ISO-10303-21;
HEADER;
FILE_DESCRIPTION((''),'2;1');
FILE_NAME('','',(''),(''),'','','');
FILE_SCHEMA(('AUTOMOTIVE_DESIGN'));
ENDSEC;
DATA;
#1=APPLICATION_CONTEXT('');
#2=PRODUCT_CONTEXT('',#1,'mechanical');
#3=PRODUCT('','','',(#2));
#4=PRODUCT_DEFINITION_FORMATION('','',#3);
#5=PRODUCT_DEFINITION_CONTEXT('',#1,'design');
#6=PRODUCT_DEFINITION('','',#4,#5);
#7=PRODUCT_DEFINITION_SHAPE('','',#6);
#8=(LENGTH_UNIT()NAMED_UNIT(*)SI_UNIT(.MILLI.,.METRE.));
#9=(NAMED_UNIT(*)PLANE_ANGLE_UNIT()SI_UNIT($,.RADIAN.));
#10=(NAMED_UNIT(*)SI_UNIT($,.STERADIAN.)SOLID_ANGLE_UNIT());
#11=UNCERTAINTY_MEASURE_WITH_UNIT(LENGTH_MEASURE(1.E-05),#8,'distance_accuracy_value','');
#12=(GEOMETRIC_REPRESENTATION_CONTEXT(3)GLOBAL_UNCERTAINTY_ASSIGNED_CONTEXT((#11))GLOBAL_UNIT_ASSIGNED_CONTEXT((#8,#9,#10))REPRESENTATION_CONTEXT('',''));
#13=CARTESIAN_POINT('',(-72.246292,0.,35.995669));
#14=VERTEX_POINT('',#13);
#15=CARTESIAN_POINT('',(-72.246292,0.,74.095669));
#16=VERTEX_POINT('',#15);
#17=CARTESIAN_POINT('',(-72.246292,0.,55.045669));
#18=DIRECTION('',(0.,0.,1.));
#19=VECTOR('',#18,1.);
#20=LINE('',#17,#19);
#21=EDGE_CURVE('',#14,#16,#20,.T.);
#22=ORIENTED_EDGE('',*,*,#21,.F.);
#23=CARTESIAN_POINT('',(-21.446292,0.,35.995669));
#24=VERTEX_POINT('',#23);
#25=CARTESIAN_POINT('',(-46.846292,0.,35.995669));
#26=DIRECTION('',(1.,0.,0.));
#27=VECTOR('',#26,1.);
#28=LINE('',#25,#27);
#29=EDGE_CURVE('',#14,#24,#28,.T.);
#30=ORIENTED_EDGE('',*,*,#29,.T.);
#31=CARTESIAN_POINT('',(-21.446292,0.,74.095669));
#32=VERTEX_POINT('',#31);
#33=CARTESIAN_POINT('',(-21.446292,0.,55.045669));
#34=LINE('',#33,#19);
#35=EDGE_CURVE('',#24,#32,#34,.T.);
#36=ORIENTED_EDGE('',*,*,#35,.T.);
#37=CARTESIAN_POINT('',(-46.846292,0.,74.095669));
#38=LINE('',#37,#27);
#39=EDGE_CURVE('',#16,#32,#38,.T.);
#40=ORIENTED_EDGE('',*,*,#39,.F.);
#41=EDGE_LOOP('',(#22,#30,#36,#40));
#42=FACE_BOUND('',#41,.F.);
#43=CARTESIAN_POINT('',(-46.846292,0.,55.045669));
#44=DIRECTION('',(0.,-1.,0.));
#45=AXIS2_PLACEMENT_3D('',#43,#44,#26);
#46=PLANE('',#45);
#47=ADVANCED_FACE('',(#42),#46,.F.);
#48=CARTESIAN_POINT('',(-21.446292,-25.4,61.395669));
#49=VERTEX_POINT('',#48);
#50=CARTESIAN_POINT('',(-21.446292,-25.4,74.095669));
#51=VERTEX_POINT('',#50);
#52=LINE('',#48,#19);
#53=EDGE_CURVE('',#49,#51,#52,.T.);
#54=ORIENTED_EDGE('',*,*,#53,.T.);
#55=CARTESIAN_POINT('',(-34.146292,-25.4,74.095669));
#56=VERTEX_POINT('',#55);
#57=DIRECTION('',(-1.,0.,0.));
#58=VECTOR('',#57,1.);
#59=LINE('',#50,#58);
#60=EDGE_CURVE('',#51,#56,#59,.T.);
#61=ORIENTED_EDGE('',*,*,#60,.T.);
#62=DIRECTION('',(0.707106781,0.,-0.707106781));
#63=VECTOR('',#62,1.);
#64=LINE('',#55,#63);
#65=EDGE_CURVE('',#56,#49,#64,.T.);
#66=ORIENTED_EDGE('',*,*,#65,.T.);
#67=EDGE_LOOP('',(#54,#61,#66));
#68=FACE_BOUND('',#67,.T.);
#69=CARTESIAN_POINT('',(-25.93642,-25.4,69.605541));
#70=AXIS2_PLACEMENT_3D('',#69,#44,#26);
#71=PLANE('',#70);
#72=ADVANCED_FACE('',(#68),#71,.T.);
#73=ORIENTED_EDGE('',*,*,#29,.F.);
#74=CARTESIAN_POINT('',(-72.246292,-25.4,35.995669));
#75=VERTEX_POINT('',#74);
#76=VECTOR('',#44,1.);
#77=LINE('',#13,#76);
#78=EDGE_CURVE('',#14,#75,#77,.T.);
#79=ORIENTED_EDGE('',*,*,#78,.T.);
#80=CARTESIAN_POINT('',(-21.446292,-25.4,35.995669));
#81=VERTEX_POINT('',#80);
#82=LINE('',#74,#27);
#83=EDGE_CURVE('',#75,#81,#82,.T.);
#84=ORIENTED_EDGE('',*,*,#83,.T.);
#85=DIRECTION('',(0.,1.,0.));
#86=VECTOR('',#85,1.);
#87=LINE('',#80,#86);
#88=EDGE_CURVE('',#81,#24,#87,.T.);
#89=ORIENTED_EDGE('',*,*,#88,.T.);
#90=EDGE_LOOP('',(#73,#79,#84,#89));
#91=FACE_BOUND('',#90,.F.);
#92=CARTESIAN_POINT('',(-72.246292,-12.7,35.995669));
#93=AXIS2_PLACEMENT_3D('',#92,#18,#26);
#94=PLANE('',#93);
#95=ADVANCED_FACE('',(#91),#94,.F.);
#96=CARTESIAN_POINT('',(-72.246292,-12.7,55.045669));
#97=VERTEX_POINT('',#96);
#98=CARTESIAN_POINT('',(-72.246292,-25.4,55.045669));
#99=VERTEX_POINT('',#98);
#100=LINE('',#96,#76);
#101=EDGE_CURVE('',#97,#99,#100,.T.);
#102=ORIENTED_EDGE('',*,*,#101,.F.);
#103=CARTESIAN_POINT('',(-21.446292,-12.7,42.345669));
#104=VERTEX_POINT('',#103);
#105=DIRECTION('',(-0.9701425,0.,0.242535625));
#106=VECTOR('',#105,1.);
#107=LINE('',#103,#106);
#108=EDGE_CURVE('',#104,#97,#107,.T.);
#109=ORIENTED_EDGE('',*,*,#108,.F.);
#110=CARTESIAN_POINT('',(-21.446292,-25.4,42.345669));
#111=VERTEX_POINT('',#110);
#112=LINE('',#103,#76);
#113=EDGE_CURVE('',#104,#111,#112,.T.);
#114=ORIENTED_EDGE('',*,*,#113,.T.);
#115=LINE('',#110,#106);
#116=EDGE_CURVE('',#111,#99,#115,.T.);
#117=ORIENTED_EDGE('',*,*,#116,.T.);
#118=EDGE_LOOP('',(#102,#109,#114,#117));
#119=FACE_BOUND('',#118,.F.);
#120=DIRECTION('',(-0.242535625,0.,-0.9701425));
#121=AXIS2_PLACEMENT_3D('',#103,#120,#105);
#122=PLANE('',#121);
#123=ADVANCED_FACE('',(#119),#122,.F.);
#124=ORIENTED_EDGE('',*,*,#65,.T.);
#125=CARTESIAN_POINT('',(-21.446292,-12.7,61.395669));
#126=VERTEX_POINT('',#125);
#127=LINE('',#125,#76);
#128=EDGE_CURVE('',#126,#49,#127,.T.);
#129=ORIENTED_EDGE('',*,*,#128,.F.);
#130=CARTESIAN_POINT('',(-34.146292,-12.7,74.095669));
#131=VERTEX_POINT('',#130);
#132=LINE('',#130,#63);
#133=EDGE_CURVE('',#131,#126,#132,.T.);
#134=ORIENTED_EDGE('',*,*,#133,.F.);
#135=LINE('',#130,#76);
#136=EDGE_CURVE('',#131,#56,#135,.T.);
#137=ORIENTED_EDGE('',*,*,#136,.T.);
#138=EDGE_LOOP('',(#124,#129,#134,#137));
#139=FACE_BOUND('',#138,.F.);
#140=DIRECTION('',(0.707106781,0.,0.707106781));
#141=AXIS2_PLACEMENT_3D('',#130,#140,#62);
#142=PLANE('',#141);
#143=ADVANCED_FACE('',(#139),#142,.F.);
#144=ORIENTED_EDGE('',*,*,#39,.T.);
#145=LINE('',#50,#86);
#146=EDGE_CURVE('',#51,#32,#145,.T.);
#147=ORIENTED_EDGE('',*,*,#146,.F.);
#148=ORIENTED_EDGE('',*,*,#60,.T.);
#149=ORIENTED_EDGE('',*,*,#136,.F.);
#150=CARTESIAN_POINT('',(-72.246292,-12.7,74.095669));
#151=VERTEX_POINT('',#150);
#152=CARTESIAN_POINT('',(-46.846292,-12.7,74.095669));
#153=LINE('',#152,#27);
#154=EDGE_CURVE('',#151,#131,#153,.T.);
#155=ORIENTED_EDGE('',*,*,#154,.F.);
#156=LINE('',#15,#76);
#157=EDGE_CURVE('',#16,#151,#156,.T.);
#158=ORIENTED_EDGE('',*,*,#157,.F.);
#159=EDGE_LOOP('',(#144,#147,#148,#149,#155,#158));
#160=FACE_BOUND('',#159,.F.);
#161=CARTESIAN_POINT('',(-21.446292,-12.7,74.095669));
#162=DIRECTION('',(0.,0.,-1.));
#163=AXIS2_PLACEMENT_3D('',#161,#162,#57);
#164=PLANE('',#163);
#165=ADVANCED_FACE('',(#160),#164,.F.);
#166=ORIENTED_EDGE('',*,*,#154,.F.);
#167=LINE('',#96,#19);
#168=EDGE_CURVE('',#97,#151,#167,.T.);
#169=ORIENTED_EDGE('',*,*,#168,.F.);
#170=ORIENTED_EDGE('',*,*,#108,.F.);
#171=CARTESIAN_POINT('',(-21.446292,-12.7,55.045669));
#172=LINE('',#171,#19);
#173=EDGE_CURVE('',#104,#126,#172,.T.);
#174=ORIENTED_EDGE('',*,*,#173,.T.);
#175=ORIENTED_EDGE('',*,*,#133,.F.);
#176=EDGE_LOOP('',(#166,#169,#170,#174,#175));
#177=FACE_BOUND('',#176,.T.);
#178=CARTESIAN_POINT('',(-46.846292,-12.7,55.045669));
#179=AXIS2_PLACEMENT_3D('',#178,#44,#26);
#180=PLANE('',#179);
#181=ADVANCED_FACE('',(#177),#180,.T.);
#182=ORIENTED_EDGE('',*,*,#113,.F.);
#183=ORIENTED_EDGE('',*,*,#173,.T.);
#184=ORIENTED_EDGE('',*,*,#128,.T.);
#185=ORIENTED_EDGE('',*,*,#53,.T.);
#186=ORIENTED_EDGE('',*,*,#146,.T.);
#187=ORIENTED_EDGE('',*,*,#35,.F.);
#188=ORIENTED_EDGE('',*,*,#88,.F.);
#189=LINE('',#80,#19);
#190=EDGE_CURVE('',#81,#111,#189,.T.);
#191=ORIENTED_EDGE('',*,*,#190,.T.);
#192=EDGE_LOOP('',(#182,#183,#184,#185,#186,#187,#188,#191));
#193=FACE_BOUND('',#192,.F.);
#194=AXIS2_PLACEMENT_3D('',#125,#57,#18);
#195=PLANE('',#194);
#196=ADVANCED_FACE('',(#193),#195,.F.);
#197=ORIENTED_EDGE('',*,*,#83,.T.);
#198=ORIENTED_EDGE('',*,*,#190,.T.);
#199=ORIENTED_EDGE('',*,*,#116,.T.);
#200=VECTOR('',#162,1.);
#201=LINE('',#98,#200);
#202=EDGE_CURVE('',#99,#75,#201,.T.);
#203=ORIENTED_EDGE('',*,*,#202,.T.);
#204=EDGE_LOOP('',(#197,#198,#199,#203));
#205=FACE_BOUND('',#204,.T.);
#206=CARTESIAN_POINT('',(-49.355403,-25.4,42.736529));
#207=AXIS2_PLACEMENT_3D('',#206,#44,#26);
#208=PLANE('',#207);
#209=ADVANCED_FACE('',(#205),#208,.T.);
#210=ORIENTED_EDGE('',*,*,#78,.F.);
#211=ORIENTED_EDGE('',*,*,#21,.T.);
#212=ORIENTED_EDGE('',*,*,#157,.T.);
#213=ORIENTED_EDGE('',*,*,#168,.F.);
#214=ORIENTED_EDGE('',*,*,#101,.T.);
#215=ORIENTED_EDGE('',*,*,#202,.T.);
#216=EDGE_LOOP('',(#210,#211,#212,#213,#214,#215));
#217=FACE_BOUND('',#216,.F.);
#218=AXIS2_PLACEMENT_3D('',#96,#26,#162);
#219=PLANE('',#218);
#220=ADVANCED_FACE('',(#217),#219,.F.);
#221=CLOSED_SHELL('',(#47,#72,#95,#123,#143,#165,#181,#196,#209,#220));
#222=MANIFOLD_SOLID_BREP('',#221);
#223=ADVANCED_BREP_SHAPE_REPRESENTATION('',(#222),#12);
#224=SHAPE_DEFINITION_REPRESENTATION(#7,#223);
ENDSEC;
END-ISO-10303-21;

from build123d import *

# Parameters (mm, degrees)
F0_W     = 50.8
F0_H     = 38.1
F1_DEPTH = 12.7
F3_DEPTH = 12.7
F5_DEPTH = 12.7


with BuildPart() as f1:
    # F0 (on Front) → F1 (new body)
    with BuildSketch(Plane.XZ):
        with Locations((-46.846292, 55.045669)):
            Rectangle(F0_W, F0_H)
    extrude(amount=F1_DEPTH)

    # F2 (on face) → F3 (join)
    with BuildSketch(Plane.XZ.offset(12.7)):
        Polygon((-21.446292, 42.345669), (-72.246292, 55.045669), (-72.246292, 35.995669), (-21.446292, 35.995669), align=None)
    extrude(amount=F3_DEPTH)

    # F4 (on face) → F5 (join)
    with BuildSketch(Plane.XZ.offset(12.7)):
        Polygon((-34.146292, 74.095669), (-21.446292, 61.395669), (-21.446292, 74.095669), align=None)
    extrude(amount=F5_DEPTH)


solid = f1.part
